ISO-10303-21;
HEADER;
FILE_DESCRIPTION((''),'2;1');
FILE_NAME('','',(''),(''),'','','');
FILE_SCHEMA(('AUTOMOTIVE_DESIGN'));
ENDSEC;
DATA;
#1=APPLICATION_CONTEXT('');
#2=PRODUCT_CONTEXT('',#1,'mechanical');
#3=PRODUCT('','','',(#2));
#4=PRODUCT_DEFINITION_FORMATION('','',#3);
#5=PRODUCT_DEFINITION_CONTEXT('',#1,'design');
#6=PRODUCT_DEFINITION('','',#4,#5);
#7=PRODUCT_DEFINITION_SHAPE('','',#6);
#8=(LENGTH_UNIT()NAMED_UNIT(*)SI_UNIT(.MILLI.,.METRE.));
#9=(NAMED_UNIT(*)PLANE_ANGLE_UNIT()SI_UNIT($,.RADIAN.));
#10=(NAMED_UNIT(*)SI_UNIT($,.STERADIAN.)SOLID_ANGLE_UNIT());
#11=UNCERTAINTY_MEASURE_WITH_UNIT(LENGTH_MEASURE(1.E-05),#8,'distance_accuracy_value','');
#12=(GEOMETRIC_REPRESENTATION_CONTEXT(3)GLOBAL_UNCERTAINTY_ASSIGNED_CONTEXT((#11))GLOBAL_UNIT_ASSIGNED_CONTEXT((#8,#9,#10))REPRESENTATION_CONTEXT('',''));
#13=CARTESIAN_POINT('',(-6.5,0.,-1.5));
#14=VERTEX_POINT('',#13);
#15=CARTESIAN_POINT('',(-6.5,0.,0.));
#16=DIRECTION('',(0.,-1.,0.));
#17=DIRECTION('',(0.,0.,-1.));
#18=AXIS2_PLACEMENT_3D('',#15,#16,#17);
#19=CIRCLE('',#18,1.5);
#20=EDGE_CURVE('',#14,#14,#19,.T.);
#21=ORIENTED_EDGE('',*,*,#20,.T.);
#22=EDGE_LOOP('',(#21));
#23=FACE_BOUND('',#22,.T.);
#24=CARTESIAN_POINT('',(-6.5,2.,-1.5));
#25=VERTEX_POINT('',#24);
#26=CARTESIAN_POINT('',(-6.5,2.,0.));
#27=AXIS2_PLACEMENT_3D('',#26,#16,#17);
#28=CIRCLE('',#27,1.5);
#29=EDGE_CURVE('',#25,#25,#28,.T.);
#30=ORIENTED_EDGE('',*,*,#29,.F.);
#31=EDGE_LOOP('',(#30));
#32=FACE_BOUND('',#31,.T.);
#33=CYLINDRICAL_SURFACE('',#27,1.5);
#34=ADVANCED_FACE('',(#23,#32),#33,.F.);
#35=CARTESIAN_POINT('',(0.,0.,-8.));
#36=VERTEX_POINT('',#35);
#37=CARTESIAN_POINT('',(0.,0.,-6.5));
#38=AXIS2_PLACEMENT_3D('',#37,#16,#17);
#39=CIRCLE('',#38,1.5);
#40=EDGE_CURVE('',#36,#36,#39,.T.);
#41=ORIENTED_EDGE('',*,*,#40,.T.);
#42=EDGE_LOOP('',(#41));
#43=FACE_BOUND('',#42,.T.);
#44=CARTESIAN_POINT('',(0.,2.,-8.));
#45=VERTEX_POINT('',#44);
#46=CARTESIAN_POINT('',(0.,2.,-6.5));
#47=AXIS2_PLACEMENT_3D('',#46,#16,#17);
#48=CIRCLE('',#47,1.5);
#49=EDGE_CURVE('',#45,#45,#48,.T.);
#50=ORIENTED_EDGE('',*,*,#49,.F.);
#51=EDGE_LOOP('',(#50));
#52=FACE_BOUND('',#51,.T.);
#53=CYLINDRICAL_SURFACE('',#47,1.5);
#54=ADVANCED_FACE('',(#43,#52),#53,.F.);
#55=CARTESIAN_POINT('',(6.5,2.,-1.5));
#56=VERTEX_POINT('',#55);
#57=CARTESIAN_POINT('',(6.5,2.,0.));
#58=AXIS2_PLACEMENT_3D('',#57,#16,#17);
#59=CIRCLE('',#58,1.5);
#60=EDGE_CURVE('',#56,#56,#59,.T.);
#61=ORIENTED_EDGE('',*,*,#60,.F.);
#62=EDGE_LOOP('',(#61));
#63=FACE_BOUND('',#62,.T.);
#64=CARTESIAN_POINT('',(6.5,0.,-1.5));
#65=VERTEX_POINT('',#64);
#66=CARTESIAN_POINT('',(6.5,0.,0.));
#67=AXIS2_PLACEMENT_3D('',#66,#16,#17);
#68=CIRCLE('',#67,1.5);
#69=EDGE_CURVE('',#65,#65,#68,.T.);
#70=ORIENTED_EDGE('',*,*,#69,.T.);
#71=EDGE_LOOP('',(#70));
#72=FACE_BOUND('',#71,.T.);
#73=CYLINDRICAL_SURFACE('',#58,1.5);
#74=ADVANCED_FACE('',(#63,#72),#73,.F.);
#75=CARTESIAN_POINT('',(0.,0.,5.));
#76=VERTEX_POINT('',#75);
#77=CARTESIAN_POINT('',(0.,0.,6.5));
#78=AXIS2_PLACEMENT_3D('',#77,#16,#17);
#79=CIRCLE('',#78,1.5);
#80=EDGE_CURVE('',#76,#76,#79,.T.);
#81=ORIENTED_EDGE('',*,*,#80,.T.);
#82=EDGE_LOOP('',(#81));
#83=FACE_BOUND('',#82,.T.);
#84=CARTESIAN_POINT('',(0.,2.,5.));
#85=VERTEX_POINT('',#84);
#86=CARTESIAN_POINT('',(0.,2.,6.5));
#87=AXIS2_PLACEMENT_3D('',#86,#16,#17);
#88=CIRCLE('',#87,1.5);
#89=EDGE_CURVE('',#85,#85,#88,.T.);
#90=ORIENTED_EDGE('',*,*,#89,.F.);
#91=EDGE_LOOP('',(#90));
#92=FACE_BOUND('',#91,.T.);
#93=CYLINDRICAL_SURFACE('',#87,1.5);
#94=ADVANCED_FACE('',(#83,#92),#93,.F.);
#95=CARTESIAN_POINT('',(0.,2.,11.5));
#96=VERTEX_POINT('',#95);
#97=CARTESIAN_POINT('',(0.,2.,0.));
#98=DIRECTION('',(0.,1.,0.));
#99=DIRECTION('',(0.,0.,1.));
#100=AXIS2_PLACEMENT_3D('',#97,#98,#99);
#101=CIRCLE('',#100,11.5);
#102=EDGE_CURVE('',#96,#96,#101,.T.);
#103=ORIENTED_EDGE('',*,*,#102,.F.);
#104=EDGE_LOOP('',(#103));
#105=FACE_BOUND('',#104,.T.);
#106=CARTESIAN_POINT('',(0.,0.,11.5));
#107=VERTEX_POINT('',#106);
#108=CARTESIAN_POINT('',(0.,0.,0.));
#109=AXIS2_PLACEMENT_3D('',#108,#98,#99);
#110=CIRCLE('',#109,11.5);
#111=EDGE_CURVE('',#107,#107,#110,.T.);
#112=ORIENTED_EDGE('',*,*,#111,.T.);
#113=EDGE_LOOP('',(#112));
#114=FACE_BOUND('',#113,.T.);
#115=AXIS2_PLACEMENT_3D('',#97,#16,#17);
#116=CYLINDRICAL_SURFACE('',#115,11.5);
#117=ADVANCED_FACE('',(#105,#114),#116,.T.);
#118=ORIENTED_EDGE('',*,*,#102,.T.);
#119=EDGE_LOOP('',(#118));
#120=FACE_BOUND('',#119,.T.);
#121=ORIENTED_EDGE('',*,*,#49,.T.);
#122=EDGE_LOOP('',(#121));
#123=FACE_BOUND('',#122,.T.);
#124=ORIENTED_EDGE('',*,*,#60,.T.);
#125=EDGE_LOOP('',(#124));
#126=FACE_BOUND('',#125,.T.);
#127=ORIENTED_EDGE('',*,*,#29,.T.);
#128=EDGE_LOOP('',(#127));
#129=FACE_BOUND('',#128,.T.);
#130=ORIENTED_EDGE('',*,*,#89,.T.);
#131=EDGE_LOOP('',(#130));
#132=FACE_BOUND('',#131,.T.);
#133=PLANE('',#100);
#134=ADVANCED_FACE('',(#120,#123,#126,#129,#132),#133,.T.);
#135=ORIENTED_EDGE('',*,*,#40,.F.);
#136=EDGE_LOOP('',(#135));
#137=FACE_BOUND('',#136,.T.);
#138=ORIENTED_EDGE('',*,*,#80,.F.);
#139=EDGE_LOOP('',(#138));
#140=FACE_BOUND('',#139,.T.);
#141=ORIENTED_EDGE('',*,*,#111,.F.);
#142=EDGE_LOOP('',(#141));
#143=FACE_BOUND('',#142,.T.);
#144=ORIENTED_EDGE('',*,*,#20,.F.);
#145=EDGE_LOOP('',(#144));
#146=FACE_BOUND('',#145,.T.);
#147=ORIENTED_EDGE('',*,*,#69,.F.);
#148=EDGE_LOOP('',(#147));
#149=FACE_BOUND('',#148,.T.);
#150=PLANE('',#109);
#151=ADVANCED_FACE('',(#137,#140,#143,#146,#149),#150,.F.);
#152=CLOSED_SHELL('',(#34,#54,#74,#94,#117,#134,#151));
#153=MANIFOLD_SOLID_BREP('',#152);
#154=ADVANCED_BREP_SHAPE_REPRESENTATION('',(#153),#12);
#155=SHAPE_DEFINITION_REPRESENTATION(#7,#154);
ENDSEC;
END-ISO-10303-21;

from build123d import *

# Parameters (mm, degrees)
SKETCH1_R           = 11.5
BOSS_EXTRUDE1_DEPTH = 2
SKETCH2_R           = 1.5
CUT_EXTRUDE1_DEPTH  = 17.385969608


with BuildPart() as part:
    # Sketch1 → Boss-Extrude1 (new body)
    with BuildSketch(Plane(origin=(0, 0, 0), x_dir=(1, 0, 0), z_dir=(0, 1, 0))):
        with Locations(Location((0, 0, 0), (0, 0, 270))):
            Circle(SKETCH1_R)
    extrude(amount=BOSS_EXTRUDE1_DEPTH)

    # Sketch2 → Cut-Extrude1 (cut, through all)
    with BuildSketch(Plane.XZ):
        with Locations(Location((6.5, 0, 0), (0, 0, 270))):
            Circle(SKETCH2_R)
        with Locations(Location((0, -6.5, 0), (0, 0, 270))):
            Circle(SKETCH2_R)
        with Locations(Location((-6.5, 0, 0), (0, 0, 270))):
            Circle(SKETCH2_R)
        with Locations(Location((0, 6.5, 0), (0, 0, 270))):
            Circle(SKETCH2_R)
    extrude(amount=-CUT_EXTRUDE1_DEPTH, mode=Mode.SUBTRACT)


solid = part.part
